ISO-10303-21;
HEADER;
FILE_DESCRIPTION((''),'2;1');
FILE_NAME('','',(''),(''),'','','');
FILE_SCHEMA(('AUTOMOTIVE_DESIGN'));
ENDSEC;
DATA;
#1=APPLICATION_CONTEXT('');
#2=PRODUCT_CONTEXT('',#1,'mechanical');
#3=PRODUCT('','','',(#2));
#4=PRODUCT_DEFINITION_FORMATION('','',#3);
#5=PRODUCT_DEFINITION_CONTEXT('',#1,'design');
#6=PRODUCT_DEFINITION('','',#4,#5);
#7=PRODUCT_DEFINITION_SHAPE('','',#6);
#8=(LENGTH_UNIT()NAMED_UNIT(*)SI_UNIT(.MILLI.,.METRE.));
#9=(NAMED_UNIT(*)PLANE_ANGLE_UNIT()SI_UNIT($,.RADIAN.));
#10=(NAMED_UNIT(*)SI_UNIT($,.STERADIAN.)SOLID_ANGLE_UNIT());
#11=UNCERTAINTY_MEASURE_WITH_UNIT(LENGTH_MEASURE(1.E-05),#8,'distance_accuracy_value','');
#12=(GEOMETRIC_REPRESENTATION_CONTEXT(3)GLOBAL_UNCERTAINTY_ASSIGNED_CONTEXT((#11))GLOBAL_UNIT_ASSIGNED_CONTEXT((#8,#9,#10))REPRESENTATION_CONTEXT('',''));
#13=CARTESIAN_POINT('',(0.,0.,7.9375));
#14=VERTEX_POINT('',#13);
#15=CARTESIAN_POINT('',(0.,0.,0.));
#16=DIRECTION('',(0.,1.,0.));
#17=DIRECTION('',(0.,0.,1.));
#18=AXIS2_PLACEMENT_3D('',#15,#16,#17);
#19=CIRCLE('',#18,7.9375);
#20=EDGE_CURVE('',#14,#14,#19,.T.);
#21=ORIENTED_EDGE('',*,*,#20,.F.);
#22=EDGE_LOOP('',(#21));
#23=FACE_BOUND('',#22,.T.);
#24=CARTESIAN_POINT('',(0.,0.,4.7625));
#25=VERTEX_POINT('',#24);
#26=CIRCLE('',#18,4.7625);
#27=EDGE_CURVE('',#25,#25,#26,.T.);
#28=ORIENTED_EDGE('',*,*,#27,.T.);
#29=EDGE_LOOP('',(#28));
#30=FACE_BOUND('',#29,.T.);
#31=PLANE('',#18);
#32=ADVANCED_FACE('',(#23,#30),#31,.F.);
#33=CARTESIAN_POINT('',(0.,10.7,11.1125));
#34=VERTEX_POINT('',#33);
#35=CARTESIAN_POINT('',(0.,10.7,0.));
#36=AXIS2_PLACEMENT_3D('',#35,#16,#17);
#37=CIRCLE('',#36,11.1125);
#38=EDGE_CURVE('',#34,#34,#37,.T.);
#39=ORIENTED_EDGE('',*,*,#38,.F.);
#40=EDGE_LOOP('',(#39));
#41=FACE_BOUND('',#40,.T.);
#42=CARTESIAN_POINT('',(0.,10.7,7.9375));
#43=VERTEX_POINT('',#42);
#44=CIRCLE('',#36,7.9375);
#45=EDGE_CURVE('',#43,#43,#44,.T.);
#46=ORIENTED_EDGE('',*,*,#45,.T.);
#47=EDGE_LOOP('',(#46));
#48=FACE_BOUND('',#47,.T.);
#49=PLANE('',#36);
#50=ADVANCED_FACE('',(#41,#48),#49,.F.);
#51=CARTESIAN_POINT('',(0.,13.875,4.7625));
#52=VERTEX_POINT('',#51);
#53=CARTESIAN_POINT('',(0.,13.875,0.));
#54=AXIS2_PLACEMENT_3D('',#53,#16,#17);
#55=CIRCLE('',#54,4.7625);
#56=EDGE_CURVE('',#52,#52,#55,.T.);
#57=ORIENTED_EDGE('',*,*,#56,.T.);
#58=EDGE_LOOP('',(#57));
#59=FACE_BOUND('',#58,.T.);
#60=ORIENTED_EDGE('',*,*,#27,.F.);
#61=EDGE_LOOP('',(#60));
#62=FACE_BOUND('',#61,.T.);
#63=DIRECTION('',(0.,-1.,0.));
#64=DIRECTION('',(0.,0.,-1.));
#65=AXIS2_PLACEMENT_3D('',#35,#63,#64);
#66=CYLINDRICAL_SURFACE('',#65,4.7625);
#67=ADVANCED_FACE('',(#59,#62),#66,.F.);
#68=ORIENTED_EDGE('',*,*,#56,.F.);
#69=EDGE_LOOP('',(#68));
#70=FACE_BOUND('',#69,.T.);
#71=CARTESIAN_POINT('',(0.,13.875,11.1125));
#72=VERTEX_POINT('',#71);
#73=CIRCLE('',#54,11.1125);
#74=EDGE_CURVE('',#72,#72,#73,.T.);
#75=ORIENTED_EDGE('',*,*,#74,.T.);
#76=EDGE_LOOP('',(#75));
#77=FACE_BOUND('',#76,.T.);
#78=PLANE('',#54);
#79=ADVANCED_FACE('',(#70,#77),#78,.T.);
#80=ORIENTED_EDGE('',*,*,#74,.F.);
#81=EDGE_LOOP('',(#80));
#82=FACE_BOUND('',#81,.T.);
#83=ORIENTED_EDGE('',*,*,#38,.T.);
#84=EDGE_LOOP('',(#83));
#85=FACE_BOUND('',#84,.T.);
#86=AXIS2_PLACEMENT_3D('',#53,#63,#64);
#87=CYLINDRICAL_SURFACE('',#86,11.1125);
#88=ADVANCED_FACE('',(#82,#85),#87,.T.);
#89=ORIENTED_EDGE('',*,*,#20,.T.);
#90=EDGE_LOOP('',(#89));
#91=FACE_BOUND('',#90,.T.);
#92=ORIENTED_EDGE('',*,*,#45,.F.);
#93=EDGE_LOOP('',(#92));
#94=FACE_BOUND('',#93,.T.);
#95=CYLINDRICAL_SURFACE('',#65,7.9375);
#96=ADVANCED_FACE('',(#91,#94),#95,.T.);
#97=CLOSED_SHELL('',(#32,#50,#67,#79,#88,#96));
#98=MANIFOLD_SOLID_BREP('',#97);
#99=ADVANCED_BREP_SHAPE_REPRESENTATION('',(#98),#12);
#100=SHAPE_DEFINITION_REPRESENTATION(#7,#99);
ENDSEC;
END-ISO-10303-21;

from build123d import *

# Parameters (mm, degrees)
SKETCH1_R           = 7.9375
SKETCH1_R_2         = 4.7625
BOSS_EXTRUDE1_DEPTH = 10.7
SKETCH2_R           = 11.1125
SKETCH2_R_2         = 4.7625
BOSS_EXTRUDE2_DEPTH = 3.175


with BuildPart() as part:
    # Sketch1 → Boss-Extrude1 (new body)
    with BuildSketch(Plane(origin=(0, 0, 0), x_dir=(1, 0, 0), z_dir=(0, 1, 0))):
        with Locations(Location((0, 0, 0), (0, 0, 270))):
            Circle(SKETCH1_R)
        with Locations(Location((0, 0, 0), (0, 0, 270))):
            Circle(SKETCH1_R_2, mode=Mode.SUBTRACT)
    extrude(amount=BOSS_EXTRUDE1_DEPTH)

    # Sketch2 → Boss-Extrude2 (add)
    with BuildSketch(Plane(origin=(0, 10.7, 0), x_dir=(1, 0, 0), z_dir=(0, 1, 0))):
        with Locations(Location((0, 0, 0), (0, 0, 270))):
            Circle(SKETCH2_R)
        with Locations(Location((0, 0, 0), (0, 0, 270))):
            Circle(SKETCH2_R_2, mode=Mode.SUBTRACT)
    extrude(amount=BOSS_EXTRUDE2_DEPTH)


solid = part.part
